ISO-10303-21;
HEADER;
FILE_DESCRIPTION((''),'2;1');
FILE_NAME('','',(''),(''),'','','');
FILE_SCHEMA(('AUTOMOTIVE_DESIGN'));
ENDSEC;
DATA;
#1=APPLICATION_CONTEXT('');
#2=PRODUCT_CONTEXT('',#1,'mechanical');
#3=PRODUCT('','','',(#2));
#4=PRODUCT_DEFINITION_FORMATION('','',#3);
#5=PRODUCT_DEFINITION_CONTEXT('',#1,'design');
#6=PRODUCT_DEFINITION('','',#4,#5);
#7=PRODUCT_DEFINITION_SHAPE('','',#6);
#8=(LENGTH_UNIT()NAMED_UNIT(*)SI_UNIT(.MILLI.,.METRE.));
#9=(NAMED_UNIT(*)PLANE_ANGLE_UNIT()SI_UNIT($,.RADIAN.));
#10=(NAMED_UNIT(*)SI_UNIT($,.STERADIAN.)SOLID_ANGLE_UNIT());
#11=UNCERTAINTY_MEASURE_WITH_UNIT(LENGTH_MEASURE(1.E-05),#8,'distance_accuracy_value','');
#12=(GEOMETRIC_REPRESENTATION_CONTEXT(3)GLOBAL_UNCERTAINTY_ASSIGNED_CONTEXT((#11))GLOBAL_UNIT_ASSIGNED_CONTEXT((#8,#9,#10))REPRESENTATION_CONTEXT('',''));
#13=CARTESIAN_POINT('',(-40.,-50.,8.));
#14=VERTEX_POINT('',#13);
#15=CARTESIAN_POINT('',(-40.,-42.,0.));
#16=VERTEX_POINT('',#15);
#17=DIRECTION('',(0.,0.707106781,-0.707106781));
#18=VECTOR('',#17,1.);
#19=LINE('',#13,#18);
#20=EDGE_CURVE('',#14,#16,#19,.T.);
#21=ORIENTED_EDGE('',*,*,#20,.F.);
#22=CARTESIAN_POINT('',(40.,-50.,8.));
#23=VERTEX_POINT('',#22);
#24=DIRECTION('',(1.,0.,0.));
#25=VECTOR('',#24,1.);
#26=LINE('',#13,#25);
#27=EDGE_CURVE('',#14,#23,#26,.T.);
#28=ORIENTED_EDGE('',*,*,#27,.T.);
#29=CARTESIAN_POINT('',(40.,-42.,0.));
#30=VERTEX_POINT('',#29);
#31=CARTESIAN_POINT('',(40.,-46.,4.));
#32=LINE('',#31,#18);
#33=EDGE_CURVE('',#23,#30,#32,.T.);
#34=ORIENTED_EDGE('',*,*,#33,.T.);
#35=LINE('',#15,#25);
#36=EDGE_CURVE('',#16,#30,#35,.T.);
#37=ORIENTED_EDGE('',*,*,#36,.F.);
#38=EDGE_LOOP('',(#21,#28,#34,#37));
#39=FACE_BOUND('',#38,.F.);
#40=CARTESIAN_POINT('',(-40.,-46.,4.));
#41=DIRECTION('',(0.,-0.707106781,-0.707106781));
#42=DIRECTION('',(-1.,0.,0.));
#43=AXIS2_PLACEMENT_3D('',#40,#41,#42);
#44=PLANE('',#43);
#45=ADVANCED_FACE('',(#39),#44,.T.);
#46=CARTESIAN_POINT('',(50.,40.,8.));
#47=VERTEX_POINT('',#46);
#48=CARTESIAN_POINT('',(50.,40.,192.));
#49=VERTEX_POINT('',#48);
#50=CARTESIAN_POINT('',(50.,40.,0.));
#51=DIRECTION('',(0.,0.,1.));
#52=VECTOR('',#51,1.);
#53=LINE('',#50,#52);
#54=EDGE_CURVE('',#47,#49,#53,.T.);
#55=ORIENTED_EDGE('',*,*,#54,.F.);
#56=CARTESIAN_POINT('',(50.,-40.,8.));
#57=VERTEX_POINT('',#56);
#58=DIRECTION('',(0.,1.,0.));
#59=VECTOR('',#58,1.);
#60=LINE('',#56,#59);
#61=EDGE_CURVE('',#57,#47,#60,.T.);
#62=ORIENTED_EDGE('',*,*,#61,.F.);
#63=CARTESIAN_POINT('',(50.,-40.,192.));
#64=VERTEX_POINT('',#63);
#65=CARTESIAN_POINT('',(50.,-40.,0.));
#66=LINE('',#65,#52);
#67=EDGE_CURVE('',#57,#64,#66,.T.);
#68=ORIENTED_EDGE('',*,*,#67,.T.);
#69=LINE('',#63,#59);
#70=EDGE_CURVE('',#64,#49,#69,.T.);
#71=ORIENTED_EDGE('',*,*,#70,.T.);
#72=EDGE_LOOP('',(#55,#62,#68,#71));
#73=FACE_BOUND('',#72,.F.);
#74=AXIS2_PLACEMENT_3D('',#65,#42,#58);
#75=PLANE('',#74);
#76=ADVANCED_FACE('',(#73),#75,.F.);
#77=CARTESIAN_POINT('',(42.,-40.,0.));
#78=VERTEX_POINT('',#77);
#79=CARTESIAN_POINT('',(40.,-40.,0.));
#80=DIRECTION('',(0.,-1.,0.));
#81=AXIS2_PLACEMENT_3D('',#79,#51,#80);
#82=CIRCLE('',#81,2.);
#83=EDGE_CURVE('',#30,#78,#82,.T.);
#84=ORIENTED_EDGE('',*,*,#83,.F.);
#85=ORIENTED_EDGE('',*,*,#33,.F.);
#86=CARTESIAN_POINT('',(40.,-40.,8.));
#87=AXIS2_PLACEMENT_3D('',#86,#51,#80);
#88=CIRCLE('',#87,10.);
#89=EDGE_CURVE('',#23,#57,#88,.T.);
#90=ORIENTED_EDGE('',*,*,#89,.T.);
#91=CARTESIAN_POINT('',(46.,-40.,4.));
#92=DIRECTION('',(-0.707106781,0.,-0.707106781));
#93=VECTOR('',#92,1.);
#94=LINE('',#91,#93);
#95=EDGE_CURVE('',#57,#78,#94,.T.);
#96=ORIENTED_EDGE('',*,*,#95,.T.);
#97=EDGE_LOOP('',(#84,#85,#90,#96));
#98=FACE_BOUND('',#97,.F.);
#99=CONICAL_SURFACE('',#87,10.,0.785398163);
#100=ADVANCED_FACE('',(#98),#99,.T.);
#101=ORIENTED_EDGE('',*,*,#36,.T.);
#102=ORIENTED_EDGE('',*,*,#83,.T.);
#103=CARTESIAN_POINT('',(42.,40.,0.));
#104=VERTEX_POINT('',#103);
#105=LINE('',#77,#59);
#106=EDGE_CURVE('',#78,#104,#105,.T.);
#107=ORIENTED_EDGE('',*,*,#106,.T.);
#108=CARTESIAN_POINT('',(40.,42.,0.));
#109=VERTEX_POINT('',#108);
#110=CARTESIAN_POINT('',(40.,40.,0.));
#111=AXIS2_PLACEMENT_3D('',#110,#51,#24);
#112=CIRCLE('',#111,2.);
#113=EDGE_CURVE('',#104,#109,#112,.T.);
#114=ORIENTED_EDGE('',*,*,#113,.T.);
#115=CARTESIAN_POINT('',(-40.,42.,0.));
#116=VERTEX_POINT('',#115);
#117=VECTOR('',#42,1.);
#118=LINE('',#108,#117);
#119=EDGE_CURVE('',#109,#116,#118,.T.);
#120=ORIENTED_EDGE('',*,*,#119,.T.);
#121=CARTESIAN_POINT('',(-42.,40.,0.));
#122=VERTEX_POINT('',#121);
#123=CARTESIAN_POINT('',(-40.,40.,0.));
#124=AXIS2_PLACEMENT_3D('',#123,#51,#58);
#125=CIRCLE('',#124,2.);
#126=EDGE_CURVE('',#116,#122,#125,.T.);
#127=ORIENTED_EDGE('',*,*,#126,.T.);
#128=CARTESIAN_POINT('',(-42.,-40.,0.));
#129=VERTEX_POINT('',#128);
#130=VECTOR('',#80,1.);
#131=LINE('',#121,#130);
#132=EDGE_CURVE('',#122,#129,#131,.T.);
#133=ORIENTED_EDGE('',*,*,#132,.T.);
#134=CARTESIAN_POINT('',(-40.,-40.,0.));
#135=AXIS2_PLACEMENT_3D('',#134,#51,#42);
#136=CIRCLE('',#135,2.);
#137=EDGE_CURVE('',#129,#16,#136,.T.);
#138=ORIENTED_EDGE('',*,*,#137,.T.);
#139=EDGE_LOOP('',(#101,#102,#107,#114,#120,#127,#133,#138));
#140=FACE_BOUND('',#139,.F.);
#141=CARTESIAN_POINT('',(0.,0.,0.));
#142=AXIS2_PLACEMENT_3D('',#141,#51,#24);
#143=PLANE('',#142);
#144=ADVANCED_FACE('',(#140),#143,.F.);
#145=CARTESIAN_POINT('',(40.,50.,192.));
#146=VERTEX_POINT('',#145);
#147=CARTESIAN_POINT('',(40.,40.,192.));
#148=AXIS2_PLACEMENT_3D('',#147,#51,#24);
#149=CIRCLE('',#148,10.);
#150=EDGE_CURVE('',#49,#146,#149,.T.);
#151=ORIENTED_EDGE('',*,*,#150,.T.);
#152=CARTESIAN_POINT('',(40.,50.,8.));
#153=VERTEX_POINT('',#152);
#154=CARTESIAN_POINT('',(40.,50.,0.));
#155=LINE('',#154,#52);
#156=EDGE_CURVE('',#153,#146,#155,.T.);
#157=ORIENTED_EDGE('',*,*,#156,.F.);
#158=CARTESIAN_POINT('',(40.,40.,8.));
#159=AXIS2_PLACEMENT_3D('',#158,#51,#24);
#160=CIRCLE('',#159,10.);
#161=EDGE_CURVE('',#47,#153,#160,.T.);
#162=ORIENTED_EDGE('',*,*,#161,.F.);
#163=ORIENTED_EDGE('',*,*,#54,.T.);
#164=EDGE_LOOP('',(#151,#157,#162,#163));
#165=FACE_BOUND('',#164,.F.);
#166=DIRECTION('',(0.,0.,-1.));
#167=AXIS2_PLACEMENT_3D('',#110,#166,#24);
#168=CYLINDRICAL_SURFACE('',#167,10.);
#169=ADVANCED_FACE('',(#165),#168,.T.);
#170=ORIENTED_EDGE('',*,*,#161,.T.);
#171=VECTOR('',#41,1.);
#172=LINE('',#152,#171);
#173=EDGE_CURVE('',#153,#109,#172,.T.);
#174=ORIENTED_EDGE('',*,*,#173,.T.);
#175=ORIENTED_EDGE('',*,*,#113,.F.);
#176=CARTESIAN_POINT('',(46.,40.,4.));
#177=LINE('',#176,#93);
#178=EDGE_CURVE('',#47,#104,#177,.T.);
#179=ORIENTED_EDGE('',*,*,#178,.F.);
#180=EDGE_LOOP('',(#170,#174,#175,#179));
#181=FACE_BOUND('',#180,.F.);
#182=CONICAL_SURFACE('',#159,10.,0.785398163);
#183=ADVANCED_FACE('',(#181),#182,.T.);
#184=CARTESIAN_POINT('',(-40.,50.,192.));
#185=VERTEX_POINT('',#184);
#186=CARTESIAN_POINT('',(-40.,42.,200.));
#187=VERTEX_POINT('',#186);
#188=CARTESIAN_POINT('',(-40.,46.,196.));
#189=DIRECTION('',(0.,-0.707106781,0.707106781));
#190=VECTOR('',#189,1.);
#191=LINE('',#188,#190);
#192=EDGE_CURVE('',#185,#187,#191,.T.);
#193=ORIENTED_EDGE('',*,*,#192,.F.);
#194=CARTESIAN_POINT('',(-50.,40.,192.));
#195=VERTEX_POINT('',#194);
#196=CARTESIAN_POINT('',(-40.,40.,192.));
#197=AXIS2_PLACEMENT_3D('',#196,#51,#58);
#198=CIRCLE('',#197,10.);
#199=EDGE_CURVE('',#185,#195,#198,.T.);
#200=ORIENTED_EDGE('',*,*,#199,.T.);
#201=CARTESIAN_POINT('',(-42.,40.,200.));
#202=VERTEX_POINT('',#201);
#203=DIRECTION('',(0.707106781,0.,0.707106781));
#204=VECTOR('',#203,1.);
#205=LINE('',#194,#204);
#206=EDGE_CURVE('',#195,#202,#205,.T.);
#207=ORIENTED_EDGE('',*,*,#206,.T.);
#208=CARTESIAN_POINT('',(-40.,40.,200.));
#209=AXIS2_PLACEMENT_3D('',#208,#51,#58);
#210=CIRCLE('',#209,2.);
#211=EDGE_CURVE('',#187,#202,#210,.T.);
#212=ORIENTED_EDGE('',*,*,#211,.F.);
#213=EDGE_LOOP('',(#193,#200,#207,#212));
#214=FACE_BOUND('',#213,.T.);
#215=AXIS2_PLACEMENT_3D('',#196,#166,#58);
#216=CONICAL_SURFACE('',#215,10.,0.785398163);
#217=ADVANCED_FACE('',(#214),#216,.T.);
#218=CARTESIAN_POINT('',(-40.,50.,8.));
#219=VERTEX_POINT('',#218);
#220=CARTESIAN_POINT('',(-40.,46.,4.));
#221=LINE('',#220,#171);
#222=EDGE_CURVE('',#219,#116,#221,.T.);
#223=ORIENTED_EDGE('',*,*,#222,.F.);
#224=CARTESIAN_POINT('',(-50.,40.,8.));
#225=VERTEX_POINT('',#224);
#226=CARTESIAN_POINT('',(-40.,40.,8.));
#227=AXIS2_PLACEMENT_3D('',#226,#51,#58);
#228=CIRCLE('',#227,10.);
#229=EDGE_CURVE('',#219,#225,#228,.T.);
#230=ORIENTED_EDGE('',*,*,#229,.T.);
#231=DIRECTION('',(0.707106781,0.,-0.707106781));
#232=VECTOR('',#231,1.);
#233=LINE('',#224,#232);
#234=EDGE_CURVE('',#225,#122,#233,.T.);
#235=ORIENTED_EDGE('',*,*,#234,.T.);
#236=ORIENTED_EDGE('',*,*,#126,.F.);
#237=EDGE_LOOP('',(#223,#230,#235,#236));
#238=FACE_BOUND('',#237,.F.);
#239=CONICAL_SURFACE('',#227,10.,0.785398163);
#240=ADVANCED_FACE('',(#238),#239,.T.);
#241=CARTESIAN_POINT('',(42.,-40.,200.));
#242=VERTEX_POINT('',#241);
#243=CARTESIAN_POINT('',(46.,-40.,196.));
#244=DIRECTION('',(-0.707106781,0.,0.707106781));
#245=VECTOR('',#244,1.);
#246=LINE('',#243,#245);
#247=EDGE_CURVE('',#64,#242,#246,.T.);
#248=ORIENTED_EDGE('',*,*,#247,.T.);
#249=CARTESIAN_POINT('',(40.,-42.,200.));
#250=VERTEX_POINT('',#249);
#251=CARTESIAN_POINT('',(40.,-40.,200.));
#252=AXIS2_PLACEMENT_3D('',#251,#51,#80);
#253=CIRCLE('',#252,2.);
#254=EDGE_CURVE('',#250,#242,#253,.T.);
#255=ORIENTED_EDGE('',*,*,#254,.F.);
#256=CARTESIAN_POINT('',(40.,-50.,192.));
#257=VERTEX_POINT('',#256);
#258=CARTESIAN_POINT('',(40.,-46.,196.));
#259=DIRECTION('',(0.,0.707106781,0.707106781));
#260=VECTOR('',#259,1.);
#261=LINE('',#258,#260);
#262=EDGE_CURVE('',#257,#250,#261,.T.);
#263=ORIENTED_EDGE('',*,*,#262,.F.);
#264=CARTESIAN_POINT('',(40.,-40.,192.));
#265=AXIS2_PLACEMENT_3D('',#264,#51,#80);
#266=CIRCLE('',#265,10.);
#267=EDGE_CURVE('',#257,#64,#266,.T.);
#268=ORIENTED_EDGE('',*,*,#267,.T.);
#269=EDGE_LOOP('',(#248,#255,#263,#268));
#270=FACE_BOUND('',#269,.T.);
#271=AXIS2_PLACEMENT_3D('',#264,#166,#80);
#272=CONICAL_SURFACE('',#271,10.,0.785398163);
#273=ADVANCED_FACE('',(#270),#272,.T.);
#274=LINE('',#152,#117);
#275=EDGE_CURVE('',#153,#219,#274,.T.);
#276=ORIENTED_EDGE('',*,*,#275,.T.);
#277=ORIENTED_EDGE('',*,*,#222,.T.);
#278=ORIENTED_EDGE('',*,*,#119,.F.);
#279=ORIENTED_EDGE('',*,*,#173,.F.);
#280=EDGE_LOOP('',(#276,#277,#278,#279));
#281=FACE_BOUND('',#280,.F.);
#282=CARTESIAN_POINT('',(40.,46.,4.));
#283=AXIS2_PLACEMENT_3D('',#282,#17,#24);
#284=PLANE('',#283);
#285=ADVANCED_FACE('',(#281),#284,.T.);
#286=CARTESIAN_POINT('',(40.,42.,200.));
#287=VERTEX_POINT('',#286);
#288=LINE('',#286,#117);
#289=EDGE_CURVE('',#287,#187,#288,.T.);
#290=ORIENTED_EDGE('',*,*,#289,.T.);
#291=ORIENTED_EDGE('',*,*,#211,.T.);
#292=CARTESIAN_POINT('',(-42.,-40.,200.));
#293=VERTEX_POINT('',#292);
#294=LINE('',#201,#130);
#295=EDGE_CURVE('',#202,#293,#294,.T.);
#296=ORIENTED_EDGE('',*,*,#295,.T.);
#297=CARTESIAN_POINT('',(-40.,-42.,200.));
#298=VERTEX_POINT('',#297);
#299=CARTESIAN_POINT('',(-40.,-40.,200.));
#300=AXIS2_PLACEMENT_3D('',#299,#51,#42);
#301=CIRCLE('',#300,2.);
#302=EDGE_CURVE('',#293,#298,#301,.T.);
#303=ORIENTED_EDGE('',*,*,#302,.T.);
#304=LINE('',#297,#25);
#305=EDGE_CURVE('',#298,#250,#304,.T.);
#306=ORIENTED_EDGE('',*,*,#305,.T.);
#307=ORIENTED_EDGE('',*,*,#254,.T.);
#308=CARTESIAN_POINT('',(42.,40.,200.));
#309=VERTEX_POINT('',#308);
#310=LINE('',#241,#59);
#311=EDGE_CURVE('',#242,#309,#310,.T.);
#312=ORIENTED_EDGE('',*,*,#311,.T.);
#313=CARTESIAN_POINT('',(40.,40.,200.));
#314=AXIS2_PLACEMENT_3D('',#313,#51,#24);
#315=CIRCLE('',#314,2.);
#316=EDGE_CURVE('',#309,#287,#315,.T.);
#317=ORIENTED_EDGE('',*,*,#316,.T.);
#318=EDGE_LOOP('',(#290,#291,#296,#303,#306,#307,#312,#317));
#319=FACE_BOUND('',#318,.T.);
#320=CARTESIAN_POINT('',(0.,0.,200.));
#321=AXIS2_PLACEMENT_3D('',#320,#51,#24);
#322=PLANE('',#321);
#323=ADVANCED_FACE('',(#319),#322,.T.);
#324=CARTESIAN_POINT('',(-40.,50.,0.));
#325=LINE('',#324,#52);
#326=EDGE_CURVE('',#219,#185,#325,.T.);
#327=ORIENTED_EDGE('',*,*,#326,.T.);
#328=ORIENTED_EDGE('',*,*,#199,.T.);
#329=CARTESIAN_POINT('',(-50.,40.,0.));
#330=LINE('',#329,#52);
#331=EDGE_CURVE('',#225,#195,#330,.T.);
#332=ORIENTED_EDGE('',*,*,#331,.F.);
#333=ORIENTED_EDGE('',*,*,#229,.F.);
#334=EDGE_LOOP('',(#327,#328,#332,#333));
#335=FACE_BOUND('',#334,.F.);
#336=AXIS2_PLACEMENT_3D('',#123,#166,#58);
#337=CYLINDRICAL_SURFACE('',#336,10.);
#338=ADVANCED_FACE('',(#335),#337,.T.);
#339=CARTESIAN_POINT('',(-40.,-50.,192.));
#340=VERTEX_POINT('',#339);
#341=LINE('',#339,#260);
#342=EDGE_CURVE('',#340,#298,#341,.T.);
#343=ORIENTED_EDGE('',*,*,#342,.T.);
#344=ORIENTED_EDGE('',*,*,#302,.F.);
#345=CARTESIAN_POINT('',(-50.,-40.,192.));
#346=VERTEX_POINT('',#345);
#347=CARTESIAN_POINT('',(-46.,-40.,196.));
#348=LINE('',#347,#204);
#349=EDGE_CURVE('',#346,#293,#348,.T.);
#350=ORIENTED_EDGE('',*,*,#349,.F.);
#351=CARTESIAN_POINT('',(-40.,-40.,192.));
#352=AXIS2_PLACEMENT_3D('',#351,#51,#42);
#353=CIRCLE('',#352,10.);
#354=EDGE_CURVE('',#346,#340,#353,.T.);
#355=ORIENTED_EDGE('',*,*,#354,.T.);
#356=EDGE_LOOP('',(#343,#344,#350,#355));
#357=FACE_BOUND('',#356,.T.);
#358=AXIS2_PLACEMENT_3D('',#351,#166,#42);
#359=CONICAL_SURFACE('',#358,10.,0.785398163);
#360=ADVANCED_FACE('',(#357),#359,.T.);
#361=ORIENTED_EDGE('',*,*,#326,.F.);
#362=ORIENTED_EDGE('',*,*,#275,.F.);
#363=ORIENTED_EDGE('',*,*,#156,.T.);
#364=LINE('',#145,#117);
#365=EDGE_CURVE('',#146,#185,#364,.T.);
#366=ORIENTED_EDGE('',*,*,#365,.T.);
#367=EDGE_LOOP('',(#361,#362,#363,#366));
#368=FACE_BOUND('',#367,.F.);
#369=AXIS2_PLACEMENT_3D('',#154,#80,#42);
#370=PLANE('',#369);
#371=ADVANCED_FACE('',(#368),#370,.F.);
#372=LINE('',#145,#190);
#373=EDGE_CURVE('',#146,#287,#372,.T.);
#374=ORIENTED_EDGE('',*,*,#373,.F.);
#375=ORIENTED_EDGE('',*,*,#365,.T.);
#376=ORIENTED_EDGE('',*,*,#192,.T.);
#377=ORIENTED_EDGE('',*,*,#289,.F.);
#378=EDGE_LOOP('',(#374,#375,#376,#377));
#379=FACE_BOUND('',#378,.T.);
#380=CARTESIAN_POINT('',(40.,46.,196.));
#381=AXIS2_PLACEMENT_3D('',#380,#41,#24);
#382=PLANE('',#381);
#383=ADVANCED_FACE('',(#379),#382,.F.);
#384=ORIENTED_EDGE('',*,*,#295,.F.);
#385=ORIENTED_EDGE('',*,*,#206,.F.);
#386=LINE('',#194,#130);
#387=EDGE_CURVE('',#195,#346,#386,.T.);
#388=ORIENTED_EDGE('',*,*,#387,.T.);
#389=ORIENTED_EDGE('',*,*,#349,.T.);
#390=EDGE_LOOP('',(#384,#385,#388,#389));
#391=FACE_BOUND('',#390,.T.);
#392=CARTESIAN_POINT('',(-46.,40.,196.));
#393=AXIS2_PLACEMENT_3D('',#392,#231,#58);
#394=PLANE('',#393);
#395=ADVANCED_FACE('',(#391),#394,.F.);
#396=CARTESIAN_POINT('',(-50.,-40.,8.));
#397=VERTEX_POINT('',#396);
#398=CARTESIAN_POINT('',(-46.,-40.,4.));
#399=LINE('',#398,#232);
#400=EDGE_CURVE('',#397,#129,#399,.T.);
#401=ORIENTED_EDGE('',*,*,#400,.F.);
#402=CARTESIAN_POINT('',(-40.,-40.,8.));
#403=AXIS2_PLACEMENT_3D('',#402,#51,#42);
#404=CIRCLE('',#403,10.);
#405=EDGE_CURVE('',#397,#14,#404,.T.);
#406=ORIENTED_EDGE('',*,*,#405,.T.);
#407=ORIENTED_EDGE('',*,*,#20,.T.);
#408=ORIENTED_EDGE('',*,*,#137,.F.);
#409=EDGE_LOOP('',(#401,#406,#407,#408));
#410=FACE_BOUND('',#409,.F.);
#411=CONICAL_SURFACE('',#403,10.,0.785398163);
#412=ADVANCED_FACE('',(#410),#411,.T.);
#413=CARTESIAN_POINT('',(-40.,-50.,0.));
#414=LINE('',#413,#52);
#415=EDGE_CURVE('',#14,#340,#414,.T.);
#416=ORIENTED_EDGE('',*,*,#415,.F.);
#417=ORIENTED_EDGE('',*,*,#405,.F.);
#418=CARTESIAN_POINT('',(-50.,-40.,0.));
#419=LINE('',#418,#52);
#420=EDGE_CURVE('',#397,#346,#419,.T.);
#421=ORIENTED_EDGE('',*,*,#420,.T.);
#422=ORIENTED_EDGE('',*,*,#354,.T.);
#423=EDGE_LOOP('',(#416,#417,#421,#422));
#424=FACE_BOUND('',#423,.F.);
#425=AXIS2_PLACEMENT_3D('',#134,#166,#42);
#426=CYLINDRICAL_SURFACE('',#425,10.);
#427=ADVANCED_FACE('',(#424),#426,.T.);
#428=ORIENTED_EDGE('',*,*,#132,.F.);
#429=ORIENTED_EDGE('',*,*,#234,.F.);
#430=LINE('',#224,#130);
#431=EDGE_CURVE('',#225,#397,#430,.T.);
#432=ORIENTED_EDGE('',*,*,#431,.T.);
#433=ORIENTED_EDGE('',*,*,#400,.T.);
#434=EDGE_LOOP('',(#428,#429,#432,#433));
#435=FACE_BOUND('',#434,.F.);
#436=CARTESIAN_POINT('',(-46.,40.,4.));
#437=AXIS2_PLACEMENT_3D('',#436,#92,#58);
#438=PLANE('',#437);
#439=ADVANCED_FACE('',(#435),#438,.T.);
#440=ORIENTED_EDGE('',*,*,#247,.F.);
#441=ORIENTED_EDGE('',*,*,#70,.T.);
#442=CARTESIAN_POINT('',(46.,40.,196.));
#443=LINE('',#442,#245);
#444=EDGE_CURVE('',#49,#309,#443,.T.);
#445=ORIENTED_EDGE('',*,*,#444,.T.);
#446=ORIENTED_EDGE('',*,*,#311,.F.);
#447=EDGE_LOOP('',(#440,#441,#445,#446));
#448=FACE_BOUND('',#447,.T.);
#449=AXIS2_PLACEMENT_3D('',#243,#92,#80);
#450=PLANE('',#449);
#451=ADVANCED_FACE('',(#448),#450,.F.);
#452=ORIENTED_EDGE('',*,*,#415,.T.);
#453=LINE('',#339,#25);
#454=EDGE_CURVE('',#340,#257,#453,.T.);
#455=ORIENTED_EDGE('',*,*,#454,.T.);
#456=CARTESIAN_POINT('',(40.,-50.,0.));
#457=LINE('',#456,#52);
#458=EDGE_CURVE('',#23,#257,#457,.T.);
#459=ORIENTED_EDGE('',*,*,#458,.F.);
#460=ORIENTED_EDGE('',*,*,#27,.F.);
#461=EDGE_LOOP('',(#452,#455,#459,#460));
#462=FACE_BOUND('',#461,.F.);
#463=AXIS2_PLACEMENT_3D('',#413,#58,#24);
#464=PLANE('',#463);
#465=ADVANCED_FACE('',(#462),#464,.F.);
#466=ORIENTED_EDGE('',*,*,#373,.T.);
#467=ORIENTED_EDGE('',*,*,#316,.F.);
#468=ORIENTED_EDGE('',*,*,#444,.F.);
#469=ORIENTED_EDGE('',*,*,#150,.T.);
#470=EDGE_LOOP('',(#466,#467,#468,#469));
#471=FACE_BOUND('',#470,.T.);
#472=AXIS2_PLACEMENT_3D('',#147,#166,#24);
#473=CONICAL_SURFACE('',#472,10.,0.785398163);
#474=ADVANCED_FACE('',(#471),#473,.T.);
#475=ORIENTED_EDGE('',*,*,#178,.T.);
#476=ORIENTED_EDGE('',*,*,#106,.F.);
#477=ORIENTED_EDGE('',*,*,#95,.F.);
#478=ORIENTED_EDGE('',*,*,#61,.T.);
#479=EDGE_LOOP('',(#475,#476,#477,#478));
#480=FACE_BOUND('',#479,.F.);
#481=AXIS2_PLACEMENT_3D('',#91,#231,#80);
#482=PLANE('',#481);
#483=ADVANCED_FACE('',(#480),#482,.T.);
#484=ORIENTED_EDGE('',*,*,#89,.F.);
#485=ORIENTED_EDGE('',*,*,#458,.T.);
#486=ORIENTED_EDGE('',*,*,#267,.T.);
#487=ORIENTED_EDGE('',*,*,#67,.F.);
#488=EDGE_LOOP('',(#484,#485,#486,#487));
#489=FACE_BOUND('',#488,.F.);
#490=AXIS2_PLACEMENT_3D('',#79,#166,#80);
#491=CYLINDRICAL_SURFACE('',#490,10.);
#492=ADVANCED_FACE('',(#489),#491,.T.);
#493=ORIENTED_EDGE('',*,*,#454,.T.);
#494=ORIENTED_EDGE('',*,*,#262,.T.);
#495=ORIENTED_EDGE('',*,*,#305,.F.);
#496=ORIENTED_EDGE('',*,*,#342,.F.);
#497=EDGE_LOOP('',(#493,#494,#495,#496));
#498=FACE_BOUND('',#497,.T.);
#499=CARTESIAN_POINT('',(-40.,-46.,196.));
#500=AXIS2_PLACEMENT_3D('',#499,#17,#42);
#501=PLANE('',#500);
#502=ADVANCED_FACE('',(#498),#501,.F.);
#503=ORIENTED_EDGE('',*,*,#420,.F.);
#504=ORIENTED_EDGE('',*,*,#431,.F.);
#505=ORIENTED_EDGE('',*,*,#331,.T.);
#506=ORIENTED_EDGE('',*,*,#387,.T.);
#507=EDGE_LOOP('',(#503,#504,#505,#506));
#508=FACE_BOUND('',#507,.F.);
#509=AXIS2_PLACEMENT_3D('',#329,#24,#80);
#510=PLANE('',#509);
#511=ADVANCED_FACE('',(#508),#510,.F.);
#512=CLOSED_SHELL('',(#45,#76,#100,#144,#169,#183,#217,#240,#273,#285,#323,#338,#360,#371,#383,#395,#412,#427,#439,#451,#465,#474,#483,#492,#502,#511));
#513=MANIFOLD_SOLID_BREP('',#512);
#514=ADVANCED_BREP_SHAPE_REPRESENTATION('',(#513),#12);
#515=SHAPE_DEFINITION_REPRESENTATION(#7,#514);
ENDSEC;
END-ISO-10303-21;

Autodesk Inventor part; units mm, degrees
ref_plane "YZ Plane" through (0, 0, 0) normal (1, 0, 0) x (0, 1, 0)
ref_plane "XZ Plane" through (0, 0, 0) normal (0, 1, 0) x (-1, 0, 0)
ref_plane "XY Plane" through (0, 0, 0) normal (0, 0, 1) x (1, 0, 0)
sketch "Skizze1" plane through (0, 0, 0) normal (0, 0, 1) x (1, 0, 0)
  line L0 (-40, -50) -> (40, -50)
  line L1 (50, -40) -> (50, 40)
  line L2 (40, 50) -> (-40, 50)
  line L3 (-50, 40) -> (-50, -40)
  line L4 (-50, -50) -> (50, 50) construction
  line L5 (50, -50) -> (-50, 50) construction
  arc A0 (-40, 50) -> (-50, 40) centre (-40, 40) ccw
  arc A1 (50, 40) -> (40, 50) centre (40, 40) ccw
  arc A2 (40, -50) -> (50, -40) centre (40, -40) ccw
  arc A3 (-50, -40) -> (-40, -50) centre (-40, -40) ccw
  point P0 (0, 0)
  dimension "d0" = 100
  dimension "d1" = 100
  dimension "d2" = 10
extrude "Extrusion1" add sketch "Skizze1" along normal blind 200
chamfer "Fase1" distance 8 angle 45 16 edges at (50, 0, 200) (47.0711, 47.0711, 200) (0, 50, 200) (-47.0711, 47.0711, 200) (-50, 0, 200) (-47.0711, -47.0711, 200) (0, -50, 200) (47.0711, -47.0711, 200) (50, 0, 0) (47.0711, 47.0711, 0) (0, 50, 0) (-47.0711, 47.0711, 0) (-50, 0, 0) (-47.0711, -47.0711, 0) (0, -50, 0) (47.0711, -47.0711, 0)
properties part number "Motor"
